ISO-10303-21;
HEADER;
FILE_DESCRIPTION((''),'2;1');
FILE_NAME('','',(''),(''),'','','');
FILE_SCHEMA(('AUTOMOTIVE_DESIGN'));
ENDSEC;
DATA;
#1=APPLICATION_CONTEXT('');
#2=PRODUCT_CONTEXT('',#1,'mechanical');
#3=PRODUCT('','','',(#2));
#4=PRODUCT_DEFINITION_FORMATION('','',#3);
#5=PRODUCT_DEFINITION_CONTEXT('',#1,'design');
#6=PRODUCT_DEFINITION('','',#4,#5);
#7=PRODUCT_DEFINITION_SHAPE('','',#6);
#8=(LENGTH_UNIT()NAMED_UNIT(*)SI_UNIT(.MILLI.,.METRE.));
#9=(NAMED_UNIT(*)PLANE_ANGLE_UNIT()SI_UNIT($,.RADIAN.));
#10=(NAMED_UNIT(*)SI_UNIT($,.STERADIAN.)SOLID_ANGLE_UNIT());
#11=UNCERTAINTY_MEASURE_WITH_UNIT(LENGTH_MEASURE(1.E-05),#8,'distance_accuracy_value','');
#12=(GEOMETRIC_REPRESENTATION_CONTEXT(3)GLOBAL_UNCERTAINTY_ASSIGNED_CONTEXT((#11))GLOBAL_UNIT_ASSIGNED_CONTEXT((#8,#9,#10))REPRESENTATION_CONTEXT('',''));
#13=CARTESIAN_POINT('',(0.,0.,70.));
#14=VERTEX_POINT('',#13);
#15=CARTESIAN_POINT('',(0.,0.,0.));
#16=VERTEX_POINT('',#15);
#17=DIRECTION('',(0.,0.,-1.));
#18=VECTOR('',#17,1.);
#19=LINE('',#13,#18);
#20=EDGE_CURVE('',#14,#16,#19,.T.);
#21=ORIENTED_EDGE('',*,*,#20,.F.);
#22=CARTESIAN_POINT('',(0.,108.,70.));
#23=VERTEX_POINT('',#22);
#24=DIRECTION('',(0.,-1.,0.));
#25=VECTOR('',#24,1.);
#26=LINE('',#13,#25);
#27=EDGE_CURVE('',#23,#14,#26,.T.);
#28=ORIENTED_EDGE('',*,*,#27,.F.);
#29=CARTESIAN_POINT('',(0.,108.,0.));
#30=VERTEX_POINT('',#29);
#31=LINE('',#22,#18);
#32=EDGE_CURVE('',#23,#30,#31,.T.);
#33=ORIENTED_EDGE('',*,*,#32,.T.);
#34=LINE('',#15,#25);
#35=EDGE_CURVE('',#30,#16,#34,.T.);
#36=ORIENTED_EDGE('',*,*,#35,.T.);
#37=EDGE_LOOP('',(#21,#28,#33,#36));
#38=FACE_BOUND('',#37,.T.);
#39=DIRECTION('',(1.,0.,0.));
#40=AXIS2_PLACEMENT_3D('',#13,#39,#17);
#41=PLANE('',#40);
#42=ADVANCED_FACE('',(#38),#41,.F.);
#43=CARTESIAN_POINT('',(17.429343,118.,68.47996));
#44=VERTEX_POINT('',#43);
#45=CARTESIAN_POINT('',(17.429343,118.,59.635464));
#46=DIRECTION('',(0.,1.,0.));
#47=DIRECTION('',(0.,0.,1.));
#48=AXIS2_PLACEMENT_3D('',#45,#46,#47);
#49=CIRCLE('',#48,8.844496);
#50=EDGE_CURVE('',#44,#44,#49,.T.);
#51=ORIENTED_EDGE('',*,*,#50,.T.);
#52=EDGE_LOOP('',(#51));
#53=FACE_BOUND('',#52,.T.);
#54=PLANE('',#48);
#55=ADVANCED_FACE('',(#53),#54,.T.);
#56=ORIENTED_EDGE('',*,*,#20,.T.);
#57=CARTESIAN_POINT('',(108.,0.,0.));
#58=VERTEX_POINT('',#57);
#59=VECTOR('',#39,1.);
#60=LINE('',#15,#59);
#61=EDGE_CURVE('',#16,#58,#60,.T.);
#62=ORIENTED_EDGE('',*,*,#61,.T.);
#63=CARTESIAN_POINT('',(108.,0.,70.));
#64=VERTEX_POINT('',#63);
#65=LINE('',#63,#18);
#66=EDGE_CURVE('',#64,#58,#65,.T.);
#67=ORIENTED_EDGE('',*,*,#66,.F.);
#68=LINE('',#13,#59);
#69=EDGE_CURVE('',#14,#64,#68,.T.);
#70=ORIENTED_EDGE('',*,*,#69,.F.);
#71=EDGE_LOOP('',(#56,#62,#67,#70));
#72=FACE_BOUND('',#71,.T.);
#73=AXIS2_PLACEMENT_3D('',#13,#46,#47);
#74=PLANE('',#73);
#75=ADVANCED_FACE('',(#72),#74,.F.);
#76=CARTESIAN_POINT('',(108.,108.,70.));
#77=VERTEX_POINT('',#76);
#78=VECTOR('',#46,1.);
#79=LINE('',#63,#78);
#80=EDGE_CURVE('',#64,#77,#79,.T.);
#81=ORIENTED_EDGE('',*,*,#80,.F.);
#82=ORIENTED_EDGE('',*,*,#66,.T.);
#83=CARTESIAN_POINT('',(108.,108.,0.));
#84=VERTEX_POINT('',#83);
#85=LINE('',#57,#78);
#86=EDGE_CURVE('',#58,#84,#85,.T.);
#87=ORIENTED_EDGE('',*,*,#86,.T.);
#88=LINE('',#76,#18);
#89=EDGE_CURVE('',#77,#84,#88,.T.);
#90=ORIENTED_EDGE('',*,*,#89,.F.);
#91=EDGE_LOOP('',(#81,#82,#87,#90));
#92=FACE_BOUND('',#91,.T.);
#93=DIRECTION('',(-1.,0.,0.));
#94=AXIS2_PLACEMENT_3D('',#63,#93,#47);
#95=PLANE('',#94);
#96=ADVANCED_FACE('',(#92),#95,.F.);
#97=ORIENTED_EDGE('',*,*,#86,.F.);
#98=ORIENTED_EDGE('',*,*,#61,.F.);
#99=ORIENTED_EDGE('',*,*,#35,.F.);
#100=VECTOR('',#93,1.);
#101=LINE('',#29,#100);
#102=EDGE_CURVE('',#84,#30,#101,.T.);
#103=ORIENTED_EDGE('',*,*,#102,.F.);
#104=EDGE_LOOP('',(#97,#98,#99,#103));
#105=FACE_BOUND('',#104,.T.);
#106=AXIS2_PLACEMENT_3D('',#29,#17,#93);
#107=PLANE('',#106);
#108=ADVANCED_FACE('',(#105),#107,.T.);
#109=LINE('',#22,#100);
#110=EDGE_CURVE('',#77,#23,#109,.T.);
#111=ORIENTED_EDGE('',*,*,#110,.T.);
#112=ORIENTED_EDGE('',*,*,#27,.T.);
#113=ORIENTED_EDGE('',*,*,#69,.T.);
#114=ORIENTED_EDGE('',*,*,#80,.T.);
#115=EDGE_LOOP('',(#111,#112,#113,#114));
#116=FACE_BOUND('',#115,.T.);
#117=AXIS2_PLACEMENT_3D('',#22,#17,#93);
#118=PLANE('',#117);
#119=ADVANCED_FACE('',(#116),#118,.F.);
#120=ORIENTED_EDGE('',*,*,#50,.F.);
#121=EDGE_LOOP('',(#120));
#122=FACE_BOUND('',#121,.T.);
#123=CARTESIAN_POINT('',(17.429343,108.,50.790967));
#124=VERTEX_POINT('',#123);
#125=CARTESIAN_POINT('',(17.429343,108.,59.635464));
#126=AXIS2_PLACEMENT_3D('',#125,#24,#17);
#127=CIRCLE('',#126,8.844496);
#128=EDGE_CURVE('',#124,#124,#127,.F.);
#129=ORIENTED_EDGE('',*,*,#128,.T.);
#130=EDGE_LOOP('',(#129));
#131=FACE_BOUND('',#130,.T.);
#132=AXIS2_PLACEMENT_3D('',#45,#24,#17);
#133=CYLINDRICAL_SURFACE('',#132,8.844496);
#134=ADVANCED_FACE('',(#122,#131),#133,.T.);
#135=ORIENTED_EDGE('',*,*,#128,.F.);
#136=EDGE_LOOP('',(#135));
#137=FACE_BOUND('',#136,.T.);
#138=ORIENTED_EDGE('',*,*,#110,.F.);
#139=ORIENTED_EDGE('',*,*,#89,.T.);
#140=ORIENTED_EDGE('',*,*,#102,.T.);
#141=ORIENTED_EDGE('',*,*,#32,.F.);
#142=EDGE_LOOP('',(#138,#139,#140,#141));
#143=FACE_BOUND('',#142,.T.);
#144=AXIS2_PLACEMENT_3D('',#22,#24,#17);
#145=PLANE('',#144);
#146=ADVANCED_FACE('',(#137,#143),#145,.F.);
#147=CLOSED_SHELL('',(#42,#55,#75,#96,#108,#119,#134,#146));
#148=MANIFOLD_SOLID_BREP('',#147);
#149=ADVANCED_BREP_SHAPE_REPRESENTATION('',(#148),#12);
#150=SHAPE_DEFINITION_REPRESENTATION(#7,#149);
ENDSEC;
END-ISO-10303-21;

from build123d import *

# Parameters (mm, degrees)
SKETCH_1_W      = 108
SKETCH_1_H      = 108
EXTRUDE_1_DEPTH = 70
SKETCH_2_R      = 8.844496212
EXTRUDE_2_DEPTH = 10


with BuildPart() as part:
    # 草图1 → 拉伸1 (new body)
    with BuildSketch(Plane.XY):
        with Locations((54, 54)):
            Rectangle(SKETCH_1_W, SKETCH_1_H)
    extrude(amount=EXTRUDE_1_DEPTH)

    # 草图2 → 拉伸2 (add)
    with BuildSketch(Plane(origin=(0, 108, 0), x_dir=(-1, 0, 0), z_dir=(0, 1, 0))):
        with Locations(Location((-17.429342934, 59.635463546, 0), (0, 0, 270))):
            Circle(SKETCH_2_R)
    extrude(amount=EXTRUDE_2_DEPTH)


solid = part.part
